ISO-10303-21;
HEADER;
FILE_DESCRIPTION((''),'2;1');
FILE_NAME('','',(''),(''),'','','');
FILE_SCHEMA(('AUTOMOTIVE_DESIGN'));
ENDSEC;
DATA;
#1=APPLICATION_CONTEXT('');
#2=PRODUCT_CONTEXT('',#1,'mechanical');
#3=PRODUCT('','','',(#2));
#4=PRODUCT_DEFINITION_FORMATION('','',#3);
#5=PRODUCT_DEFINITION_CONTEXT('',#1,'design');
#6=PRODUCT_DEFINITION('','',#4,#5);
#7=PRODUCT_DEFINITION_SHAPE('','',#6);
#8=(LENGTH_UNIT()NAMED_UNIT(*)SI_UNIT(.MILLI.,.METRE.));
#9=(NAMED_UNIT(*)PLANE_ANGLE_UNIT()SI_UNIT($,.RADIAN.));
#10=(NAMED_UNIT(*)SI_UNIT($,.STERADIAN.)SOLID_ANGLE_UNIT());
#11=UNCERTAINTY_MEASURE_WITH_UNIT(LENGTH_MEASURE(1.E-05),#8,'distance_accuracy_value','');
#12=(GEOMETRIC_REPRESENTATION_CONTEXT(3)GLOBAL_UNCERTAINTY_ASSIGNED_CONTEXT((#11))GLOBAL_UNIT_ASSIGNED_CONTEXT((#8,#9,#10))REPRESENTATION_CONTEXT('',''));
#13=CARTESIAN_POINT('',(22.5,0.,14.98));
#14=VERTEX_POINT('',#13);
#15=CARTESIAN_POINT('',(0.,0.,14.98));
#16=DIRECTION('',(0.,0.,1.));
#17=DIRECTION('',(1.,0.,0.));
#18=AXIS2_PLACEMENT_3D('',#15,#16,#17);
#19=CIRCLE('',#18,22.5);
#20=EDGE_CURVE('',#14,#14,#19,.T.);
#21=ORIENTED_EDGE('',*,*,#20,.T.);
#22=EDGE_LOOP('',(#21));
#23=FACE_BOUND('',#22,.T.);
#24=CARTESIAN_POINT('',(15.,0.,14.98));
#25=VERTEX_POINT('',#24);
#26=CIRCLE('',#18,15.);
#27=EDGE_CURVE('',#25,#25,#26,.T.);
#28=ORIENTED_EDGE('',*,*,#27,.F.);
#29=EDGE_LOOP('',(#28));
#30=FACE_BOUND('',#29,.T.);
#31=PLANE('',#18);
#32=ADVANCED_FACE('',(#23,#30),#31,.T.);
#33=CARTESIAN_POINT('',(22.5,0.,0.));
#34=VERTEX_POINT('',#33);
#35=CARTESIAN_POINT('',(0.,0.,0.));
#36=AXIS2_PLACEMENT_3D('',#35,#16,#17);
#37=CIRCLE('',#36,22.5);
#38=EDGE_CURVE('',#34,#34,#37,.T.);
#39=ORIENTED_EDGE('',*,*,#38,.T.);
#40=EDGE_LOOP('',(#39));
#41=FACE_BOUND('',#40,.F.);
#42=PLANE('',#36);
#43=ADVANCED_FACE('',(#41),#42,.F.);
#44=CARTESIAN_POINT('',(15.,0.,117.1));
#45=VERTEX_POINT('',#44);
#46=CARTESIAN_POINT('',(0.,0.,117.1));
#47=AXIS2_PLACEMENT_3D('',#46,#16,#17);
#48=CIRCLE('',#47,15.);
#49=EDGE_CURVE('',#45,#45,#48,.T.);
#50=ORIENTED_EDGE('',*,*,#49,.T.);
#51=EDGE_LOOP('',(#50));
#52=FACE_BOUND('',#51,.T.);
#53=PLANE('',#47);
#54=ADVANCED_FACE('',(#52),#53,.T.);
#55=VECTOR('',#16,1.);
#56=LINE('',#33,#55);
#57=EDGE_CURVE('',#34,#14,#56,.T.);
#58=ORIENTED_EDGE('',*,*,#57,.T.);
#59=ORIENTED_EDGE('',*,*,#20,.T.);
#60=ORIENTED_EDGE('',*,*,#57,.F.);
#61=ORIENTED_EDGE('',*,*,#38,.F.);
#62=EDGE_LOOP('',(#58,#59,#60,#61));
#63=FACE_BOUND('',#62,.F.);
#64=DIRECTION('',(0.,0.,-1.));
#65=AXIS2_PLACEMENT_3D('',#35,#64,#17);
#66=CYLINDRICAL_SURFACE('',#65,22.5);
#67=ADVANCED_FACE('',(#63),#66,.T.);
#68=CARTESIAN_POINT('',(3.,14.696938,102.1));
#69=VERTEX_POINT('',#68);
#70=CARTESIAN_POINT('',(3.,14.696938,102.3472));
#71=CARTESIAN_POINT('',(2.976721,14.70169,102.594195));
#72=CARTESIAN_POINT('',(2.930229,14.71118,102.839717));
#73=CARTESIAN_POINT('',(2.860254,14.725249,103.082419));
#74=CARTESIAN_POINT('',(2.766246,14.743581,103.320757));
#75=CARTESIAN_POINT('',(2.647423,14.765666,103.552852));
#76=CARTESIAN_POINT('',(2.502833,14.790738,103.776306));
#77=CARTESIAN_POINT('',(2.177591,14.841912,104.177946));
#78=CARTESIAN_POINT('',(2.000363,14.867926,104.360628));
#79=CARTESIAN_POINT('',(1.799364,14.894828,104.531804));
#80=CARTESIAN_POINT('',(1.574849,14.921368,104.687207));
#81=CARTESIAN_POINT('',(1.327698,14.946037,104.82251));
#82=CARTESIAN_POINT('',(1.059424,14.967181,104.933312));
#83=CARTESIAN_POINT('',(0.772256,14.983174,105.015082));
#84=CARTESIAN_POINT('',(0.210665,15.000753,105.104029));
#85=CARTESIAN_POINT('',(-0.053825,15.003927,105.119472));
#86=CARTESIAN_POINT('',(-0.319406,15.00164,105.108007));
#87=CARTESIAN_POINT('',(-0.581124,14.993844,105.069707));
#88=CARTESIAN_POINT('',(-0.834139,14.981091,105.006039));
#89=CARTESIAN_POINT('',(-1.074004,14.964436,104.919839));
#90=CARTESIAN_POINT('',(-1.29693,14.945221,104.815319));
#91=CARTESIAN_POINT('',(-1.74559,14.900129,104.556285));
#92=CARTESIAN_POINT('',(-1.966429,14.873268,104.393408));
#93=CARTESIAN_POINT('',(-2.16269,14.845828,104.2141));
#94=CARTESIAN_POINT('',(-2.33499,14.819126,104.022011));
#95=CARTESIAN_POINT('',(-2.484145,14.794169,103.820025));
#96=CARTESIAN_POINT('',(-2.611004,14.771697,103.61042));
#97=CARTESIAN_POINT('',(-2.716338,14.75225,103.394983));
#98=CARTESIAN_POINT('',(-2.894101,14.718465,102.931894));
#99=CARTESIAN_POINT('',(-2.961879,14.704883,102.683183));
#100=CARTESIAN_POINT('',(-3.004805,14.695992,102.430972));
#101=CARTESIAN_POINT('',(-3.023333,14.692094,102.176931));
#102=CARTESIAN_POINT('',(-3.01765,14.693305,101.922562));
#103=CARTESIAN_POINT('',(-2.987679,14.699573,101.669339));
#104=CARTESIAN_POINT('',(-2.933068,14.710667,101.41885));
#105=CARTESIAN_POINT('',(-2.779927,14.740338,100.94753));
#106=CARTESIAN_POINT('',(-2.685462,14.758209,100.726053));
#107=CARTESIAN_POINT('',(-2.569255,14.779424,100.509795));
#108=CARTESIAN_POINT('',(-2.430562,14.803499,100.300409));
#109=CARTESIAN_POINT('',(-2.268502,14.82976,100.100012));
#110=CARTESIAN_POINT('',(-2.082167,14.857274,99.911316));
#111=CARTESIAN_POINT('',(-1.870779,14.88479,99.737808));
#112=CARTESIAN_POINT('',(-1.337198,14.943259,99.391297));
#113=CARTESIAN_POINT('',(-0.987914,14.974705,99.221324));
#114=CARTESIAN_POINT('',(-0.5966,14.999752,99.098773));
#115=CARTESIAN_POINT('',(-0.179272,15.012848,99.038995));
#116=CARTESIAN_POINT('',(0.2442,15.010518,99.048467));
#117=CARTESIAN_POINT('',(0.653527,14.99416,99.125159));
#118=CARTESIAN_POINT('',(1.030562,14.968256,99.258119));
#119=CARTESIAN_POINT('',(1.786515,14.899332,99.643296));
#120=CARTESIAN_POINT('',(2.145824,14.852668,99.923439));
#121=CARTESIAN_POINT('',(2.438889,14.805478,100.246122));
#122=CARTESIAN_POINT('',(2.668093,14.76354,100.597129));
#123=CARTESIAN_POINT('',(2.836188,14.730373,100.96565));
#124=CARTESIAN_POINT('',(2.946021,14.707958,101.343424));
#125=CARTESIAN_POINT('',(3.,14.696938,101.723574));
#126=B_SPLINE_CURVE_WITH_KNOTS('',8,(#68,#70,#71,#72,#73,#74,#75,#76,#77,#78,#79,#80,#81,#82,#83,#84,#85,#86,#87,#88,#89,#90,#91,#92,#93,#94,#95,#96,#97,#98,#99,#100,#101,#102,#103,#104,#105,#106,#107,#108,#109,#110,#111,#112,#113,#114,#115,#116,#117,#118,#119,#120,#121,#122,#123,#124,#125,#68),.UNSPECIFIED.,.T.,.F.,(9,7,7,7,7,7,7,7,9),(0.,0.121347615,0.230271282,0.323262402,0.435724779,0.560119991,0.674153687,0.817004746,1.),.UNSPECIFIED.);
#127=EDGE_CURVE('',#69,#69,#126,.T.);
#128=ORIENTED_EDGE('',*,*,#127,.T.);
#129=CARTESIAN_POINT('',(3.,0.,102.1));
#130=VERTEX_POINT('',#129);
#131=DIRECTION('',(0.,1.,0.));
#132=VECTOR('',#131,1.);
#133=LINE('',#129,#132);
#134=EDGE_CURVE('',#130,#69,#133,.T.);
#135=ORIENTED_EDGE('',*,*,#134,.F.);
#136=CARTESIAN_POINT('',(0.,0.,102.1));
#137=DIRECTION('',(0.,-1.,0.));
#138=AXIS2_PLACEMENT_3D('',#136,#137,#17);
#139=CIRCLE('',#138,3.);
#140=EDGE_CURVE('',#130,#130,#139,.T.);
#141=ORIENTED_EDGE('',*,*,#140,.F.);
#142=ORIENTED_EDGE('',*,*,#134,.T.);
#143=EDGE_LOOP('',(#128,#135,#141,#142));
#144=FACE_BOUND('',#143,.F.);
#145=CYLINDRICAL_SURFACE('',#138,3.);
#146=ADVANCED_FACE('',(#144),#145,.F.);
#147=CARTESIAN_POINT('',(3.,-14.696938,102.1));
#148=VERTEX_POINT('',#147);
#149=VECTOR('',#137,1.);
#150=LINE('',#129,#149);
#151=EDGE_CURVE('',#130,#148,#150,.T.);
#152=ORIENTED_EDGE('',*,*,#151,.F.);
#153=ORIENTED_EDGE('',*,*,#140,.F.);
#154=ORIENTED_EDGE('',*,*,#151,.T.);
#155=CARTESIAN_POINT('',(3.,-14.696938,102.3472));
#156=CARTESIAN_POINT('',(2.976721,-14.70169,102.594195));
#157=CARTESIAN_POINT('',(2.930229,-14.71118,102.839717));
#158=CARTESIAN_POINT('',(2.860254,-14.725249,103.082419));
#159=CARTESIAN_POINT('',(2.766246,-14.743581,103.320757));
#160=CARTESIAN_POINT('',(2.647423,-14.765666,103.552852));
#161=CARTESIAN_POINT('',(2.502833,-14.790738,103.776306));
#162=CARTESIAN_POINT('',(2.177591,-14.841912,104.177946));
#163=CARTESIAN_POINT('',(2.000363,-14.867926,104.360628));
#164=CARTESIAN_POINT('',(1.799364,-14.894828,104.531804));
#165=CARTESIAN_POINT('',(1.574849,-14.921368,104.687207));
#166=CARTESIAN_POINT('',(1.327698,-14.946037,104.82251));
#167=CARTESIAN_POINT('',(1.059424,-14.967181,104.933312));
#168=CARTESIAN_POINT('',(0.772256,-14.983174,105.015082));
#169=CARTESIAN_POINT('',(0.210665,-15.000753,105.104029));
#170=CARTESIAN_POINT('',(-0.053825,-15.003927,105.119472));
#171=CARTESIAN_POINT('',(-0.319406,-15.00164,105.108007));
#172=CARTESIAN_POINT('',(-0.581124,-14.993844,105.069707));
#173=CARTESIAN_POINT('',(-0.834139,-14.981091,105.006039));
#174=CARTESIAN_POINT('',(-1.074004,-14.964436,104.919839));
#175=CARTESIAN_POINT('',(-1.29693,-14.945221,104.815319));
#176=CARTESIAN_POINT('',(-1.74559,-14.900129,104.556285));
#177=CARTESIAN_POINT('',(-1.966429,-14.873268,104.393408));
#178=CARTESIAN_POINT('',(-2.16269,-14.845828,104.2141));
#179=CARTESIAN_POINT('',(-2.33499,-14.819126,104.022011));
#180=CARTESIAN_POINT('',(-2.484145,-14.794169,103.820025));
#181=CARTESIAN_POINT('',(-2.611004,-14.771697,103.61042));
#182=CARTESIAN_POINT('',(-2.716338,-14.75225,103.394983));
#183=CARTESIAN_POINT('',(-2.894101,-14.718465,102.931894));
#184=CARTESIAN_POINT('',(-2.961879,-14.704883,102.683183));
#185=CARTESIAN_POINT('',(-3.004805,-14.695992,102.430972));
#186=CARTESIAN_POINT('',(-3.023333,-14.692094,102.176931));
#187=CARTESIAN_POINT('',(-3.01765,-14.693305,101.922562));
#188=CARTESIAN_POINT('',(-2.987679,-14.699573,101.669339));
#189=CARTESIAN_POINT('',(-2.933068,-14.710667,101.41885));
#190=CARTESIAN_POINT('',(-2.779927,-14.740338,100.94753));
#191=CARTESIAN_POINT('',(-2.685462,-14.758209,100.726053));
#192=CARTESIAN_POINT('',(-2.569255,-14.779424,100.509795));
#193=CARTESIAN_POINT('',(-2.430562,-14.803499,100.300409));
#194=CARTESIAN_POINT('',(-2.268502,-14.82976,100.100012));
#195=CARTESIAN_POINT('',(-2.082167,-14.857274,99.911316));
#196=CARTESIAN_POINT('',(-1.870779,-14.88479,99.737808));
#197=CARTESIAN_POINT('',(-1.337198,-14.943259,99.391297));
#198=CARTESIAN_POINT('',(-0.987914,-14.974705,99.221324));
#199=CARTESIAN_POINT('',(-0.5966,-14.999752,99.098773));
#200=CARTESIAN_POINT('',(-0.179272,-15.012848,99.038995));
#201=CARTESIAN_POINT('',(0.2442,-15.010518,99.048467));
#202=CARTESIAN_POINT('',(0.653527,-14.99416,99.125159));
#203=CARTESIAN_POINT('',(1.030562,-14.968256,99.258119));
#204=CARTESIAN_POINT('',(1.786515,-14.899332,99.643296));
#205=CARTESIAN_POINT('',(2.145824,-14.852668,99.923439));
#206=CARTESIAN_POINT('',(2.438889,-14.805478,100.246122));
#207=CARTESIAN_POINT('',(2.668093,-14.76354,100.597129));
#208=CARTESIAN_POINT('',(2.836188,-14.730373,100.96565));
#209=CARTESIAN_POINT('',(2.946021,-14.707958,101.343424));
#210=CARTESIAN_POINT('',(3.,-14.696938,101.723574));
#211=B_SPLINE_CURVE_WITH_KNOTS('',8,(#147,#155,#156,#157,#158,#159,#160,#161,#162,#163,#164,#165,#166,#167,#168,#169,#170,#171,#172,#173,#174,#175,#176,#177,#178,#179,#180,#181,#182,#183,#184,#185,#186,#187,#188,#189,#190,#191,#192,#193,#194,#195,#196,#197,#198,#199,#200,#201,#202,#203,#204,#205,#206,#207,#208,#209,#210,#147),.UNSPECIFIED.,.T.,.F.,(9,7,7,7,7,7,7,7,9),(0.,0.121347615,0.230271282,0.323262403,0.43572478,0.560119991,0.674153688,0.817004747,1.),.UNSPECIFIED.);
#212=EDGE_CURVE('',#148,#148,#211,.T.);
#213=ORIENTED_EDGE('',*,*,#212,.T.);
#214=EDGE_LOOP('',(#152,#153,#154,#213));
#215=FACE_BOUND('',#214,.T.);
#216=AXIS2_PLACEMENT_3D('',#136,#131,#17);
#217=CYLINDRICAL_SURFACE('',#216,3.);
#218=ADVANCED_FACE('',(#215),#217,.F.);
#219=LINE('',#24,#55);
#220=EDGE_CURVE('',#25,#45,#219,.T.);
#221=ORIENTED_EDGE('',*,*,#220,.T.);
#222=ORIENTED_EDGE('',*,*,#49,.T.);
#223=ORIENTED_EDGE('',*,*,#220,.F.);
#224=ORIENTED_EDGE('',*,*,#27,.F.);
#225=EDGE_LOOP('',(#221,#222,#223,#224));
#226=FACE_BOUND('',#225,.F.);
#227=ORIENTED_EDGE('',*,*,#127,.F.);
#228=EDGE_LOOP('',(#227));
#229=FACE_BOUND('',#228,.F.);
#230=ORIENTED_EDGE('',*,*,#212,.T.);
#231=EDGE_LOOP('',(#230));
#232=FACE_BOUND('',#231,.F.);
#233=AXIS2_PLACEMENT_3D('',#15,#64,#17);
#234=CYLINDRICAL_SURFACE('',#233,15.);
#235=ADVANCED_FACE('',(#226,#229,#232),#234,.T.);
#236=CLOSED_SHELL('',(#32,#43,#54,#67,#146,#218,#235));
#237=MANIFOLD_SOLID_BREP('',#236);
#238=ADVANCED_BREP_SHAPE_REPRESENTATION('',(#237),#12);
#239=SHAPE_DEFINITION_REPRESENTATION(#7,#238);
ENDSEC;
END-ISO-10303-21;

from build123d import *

# Parameters (mm, degrees)
SKETCH_R          = 22.5
PAD_DEPTH         = 14.98
SKETCH001_R       = 15
PAD001_DEPTH      = 102.12
SKETCH003_R       = 3
POCKET_DEPTH      = 22.501
POCKET_DEPTH_BACK = -22.501


with BuildPart() as part:
    # Sketch → Pad (new body)
    with BuildSketch(Plane.XY):
        Circle(SKETCH_R)
    extrude(amount=PAD_DEPTH)

    # Sketch001 (on Face3 of Pad) → Pad001 (join)
    with BuildSketch(Plane.XY.offset(14.98)):
        Circle(SKETCH001_R)
    extrude(amount=PAD001_DEPTH)

    # Sketch003 → Pocket (cut, two sides)
    with BuildSketch(Plane.XZ) as pocket_sk:
        with Locations((0, 102.1)):
            Circle(SKETCH003_R)
    extrude(amount=-POCKET_DEPTH, mode=Mode.SUBTRACT)
    extrude(pocket_sk.sketch, amount=-POCKET_DEPTH_BACK, mode=Mode.SUBTRACT)


solid = part.part
